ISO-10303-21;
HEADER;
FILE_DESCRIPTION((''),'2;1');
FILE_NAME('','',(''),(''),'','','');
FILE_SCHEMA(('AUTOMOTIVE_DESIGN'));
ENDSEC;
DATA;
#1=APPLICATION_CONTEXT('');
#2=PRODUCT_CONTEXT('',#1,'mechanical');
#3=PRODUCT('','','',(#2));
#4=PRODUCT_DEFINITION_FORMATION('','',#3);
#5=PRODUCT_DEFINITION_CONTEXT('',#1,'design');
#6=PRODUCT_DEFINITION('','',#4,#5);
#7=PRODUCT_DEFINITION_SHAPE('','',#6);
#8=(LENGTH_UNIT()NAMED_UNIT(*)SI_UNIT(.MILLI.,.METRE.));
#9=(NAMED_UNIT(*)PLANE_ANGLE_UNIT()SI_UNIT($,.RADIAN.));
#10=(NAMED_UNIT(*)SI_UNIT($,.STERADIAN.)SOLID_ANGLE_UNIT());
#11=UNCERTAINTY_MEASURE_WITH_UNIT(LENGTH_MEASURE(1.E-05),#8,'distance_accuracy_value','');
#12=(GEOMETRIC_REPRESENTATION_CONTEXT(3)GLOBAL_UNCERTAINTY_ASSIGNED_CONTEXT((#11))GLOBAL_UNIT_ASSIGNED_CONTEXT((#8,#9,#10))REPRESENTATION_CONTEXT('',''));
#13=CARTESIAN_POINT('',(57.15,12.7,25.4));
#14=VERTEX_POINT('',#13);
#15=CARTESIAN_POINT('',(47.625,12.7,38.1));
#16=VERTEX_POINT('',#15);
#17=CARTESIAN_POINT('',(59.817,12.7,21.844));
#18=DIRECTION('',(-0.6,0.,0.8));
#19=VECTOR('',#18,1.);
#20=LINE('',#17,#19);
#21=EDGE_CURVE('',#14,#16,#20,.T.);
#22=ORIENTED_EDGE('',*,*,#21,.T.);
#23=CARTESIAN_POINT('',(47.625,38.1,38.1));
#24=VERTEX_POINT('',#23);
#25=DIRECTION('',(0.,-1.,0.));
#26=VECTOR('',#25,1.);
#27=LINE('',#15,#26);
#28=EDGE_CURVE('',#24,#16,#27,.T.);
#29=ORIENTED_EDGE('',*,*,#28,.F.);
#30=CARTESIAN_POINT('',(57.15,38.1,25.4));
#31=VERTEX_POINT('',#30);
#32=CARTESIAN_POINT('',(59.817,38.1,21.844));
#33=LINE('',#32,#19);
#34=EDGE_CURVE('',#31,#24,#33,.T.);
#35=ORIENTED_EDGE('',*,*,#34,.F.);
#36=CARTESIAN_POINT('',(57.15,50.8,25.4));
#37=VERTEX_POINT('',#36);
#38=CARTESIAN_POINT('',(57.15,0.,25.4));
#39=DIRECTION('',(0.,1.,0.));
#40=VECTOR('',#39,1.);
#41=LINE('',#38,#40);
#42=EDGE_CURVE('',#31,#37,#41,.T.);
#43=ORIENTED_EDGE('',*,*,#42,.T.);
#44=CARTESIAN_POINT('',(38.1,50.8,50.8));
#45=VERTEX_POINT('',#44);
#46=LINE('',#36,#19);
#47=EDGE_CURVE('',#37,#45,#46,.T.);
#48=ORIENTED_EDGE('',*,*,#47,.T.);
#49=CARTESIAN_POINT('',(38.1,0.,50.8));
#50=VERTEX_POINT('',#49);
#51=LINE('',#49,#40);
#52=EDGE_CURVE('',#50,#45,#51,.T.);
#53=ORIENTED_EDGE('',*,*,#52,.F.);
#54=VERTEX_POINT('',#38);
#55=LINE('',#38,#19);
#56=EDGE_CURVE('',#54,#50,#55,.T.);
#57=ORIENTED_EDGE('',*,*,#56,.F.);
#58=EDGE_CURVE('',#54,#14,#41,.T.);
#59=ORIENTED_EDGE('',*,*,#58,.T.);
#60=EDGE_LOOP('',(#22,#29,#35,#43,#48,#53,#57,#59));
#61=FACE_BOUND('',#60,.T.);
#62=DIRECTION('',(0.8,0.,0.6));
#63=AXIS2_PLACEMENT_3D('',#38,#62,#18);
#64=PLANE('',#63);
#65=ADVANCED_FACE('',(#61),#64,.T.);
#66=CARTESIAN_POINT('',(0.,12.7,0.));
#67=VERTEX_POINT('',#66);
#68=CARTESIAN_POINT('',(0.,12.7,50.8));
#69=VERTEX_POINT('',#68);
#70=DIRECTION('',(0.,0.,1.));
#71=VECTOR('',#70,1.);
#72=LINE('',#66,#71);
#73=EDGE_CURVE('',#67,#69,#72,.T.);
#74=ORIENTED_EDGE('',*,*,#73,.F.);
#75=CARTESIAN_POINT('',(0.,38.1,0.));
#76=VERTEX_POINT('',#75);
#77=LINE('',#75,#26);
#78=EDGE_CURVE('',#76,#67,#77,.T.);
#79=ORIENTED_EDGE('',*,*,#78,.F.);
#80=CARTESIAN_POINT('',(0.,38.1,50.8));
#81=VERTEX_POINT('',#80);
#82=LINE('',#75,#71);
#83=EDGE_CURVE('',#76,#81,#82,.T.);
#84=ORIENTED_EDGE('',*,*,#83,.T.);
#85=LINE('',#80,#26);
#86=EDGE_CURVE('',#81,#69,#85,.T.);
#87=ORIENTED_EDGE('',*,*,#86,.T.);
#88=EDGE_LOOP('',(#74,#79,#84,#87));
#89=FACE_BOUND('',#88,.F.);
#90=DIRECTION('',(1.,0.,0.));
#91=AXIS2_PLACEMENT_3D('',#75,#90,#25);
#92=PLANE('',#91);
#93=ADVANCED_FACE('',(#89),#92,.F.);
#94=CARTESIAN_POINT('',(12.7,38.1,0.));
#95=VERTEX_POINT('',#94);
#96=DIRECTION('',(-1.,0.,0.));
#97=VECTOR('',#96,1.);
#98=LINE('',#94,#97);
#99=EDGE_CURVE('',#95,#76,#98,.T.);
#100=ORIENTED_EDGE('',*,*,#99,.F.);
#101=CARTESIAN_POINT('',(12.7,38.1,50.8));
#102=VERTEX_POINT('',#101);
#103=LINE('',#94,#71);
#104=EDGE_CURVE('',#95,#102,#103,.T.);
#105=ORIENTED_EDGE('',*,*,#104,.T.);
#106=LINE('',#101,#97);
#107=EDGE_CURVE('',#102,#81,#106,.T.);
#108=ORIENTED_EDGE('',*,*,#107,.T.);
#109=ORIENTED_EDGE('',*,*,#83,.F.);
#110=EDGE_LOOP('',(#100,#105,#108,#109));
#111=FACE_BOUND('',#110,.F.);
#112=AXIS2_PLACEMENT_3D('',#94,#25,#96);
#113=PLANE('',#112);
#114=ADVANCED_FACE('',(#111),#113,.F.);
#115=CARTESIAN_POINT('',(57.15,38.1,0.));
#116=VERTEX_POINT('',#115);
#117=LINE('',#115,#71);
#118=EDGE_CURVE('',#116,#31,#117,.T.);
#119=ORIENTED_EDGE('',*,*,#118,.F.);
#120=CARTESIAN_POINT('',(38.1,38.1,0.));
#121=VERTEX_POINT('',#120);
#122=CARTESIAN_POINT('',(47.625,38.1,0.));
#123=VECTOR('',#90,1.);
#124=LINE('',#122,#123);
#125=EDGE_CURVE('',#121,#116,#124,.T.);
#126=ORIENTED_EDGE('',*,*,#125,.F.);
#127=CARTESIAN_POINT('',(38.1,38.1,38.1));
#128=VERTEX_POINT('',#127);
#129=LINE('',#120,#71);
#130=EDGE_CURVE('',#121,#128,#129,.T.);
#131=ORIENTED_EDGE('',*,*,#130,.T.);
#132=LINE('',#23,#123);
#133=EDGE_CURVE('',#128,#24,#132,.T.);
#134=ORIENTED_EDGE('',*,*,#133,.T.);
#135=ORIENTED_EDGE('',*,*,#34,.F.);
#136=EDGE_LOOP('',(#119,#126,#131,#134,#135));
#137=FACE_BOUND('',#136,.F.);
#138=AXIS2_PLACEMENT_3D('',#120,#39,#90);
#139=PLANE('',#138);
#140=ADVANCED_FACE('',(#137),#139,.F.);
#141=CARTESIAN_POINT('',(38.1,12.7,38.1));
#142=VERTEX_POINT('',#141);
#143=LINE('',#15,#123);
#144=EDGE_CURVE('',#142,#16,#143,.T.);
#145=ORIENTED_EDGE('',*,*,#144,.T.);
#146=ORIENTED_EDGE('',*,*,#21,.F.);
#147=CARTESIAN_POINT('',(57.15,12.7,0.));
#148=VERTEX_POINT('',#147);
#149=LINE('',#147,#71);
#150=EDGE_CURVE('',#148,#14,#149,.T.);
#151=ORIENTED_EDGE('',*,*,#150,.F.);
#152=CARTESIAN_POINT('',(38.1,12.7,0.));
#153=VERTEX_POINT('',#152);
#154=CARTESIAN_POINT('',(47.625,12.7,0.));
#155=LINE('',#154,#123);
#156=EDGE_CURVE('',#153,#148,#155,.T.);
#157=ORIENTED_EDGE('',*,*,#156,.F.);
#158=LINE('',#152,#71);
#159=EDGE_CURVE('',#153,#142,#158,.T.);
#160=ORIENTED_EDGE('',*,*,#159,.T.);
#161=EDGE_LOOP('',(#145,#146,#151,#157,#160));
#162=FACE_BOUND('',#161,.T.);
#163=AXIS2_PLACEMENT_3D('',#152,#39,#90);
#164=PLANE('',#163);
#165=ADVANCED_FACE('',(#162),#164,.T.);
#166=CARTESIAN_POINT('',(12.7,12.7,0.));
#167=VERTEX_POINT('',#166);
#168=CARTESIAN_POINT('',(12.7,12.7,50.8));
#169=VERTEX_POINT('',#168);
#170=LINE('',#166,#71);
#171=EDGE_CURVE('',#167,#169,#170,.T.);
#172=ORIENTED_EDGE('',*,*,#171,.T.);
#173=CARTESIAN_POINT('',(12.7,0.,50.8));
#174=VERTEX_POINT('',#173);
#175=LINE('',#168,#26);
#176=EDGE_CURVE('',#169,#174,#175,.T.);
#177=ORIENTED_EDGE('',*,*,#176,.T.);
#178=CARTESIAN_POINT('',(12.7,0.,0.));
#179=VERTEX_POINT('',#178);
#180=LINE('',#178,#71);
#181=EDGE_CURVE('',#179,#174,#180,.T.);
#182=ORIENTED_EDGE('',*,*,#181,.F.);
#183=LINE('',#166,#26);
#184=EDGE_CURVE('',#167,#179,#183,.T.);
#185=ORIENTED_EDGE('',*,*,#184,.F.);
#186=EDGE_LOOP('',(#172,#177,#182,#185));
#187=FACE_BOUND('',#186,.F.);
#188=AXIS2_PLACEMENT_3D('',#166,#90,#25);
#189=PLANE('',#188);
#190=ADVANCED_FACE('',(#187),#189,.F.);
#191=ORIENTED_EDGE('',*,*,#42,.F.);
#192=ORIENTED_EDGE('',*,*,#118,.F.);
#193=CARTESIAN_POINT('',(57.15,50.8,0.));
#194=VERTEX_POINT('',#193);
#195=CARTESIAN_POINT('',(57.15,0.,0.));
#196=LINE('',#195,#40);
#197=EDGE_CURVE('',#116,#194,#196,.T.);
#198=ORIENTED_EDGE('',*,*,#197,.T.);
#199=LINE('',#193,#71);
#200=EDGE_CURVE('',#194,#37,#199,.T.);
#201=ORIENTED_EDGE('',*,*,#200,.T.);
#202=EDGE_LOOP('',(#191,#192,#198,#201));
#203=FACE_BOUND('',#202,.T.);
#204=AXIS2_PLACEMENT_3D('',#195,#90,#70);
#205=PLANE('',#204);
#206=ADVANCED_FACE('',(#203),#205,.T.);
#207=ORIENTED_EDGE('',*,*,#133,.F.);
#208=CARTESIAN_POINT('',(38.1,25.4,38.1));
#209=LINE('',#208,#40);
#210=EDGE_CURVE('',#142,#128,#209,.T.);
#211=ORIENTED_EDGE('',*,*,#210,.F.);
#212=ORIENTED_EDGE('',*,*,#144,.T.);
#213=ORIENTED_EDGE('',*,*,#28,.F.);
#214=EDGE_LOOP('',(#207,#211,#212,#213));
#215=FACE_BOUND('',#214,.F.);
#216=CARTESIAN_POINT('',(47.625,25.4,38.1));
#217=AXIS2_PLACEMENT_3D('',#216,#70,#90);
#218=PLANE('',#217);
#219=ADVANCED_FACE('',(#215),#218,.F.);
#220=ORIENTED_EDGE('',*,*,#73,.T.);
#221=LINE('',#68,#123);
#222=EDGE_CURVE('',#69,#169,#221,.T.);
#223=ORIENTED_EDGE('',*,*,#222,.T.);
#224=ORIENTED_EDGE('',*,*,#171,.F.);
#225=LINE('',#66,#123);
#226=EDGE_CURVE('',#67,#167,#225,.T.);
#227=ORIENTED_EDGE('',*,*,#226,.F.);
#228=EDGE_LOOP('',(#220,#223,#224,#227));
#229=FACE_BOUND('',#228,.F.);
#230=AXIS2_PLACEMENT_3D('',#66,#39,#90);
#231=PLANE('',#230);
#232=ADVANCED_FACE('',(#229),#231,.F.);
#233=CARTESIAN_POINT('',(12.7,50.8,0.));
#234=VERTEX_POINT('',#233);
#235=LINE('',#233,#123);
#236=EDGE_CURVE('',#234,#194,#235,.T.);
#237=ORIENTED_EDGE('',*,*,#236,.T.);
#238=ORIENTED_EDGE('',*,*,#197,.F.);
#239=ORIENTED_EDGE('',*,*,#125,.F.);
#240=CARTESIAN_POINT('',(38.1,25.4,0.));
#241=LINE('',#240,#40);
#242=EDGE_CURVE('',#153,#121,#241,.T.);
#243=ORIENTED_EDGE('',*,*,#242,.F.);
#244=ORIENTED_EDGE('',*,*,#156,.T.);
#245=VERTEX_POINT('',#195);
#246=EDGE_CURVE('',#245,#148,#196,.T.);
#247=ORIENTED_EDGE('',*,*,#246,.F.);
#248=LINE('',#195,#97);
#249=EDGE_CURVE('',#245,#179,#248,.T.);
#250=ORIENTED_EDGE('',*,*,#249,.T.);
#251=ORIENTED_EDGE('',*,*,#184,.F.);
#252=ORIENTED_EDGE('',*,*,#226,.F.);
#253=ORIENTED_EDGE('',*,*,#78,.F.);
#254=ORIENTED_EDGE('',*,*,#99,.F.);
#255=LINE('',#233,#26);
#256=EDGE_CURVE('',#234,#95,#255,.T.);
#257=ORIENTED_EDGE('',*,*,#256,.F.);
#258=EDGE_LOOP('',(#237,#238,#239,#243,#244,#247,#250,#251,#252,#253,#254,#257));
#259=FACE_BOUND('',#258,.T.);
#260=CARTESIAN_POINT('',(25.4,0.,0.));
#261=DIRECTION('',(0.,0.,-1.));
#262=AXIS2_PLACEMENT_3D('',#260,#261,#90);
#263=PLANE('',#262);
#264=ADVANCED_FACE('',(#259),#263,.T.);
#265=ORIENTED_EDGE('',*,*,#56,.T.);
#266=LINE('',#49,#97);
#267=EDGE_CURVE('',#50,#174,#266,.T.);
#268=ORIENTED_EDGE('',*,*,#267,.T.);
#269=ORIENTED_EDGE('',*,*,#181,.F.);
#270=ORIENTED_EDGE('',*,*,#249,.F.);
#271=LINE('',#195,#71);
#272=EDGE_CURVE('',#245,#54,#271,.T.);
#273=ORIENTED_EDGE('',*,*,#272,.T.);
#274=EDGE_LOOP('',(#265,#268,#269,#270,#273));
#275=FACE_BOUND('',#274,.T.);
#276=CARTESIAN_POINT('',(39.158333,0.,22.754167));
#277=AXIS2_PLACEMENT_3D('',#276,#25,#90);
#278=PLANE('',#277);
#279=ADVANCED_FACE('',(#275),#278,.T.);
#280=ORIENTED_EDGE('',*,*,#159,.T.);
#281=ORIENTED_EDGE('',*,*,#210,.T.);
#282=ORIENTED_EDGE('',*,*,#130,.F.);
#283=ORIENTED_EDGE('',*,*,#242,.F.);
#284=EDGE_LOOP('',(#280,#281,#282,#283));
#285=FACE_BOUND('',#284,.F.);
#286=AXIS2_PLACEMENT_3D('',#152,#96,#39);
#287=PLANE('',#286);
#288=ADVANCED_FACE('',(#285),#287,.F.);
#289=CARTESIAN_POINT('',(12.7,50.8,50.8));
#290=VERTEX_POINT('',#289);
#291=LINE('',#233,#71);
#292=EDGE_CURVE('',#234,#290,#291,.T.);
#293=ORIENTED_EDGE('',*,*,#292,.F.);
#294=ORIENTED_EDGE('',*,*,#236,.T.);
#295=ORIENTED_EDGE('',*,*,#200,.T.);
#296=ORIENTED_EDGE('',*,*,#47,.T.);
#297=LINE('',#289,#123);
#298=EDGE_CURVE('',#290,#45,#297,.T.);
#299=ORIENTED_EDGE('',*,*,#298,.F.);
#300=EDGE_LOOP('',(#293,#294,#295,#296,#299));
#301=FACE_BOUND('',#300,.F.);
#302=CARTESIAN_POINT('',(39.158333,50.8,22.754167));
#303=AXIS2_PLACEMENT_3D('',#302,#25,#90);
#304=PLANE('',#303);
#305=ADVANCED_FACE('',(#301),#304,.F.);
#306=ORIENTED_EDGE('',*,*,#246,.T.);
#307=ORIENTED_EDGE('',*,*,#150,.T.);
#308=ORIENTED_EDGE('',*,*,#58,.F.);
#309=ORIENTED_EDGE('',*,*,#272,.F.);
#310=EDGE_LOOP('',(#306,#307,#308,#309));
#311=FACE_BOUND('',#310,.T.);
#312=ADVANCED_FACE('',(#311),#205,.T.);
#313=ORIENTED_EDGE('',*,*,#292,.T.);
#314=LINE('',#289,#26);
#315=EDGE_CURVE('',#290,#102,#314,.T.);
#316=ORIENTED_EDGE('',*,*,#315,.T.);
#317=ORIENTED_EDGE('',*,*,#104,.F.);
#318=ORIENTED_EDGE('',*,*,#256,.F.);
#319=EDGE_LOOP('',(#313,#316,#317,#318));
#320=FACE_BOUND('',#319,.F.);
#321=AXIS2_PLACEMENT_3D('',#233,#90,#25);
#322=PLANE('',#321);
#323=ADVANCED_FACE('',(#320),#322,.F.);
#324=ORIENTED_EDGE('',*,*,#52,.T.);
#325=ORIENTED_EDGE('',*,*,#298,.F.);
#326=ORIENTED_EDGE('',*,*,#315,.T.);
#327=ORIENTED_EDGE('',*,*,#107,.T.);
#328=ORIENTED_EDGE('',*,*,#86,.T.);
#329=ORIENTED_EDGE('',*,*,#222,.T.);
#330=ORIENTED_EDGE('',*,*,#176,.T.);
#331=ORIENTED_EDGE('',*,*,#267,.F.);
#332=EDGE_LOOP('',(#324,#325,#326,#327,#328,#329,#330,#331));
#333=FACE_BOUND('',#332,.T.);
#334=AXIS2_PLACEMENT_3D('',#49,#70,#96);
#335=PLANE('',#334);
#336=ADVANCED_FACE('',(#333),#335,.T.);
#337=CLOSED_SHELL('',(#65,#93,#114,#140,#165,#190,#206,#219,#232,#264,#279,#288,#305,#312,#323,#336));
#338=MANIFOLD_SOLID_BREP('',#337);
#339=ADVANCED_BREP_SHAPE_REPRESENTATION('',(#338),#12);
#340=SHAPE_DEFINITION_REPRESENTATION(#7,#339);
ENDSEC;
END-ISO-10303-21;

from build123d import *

# Parameters (mm, degrees)
F1_DEPTH = 50.8
F3_DEPTH = 50.8
F4_W     = 19.05
F4_H     = 25.4
F5_DEPTH = 38.1


with BuildPart() as f1:
    # F0 (on Top) → F1 (new body)
    with BuildSketch(Plane.XY):
        Polygon((12.7, 12.7), (12.7, 0), (25.4, 0), (25.4, 50.8), (12.7, 50.8), (12.7, 38.1), (0, 38.1), (0, 12.7), align=None)
    extrude(amount=F1_DEPTH)

    # F2 (on Front) → F3 (join)
    with BuildSketch(Plane.XZ):
        Polygon((25.4, 50.8), (25.4, 0), (57.15, 0), (57.15, 25.4), (38.1, 50.8), align=None)
    extrude(amount=-F3_DEPTH)

    # F4 (on Top) → F5 (cut)
    with BuildSketch(Plane.XY):
        with Locations((47.625, 25.4)):
            Rectangle(F4_W, F4_H)
    extrude(amount=F5_DEPTH, mode=Mode.SUBTRACT)


solid = f1.part
